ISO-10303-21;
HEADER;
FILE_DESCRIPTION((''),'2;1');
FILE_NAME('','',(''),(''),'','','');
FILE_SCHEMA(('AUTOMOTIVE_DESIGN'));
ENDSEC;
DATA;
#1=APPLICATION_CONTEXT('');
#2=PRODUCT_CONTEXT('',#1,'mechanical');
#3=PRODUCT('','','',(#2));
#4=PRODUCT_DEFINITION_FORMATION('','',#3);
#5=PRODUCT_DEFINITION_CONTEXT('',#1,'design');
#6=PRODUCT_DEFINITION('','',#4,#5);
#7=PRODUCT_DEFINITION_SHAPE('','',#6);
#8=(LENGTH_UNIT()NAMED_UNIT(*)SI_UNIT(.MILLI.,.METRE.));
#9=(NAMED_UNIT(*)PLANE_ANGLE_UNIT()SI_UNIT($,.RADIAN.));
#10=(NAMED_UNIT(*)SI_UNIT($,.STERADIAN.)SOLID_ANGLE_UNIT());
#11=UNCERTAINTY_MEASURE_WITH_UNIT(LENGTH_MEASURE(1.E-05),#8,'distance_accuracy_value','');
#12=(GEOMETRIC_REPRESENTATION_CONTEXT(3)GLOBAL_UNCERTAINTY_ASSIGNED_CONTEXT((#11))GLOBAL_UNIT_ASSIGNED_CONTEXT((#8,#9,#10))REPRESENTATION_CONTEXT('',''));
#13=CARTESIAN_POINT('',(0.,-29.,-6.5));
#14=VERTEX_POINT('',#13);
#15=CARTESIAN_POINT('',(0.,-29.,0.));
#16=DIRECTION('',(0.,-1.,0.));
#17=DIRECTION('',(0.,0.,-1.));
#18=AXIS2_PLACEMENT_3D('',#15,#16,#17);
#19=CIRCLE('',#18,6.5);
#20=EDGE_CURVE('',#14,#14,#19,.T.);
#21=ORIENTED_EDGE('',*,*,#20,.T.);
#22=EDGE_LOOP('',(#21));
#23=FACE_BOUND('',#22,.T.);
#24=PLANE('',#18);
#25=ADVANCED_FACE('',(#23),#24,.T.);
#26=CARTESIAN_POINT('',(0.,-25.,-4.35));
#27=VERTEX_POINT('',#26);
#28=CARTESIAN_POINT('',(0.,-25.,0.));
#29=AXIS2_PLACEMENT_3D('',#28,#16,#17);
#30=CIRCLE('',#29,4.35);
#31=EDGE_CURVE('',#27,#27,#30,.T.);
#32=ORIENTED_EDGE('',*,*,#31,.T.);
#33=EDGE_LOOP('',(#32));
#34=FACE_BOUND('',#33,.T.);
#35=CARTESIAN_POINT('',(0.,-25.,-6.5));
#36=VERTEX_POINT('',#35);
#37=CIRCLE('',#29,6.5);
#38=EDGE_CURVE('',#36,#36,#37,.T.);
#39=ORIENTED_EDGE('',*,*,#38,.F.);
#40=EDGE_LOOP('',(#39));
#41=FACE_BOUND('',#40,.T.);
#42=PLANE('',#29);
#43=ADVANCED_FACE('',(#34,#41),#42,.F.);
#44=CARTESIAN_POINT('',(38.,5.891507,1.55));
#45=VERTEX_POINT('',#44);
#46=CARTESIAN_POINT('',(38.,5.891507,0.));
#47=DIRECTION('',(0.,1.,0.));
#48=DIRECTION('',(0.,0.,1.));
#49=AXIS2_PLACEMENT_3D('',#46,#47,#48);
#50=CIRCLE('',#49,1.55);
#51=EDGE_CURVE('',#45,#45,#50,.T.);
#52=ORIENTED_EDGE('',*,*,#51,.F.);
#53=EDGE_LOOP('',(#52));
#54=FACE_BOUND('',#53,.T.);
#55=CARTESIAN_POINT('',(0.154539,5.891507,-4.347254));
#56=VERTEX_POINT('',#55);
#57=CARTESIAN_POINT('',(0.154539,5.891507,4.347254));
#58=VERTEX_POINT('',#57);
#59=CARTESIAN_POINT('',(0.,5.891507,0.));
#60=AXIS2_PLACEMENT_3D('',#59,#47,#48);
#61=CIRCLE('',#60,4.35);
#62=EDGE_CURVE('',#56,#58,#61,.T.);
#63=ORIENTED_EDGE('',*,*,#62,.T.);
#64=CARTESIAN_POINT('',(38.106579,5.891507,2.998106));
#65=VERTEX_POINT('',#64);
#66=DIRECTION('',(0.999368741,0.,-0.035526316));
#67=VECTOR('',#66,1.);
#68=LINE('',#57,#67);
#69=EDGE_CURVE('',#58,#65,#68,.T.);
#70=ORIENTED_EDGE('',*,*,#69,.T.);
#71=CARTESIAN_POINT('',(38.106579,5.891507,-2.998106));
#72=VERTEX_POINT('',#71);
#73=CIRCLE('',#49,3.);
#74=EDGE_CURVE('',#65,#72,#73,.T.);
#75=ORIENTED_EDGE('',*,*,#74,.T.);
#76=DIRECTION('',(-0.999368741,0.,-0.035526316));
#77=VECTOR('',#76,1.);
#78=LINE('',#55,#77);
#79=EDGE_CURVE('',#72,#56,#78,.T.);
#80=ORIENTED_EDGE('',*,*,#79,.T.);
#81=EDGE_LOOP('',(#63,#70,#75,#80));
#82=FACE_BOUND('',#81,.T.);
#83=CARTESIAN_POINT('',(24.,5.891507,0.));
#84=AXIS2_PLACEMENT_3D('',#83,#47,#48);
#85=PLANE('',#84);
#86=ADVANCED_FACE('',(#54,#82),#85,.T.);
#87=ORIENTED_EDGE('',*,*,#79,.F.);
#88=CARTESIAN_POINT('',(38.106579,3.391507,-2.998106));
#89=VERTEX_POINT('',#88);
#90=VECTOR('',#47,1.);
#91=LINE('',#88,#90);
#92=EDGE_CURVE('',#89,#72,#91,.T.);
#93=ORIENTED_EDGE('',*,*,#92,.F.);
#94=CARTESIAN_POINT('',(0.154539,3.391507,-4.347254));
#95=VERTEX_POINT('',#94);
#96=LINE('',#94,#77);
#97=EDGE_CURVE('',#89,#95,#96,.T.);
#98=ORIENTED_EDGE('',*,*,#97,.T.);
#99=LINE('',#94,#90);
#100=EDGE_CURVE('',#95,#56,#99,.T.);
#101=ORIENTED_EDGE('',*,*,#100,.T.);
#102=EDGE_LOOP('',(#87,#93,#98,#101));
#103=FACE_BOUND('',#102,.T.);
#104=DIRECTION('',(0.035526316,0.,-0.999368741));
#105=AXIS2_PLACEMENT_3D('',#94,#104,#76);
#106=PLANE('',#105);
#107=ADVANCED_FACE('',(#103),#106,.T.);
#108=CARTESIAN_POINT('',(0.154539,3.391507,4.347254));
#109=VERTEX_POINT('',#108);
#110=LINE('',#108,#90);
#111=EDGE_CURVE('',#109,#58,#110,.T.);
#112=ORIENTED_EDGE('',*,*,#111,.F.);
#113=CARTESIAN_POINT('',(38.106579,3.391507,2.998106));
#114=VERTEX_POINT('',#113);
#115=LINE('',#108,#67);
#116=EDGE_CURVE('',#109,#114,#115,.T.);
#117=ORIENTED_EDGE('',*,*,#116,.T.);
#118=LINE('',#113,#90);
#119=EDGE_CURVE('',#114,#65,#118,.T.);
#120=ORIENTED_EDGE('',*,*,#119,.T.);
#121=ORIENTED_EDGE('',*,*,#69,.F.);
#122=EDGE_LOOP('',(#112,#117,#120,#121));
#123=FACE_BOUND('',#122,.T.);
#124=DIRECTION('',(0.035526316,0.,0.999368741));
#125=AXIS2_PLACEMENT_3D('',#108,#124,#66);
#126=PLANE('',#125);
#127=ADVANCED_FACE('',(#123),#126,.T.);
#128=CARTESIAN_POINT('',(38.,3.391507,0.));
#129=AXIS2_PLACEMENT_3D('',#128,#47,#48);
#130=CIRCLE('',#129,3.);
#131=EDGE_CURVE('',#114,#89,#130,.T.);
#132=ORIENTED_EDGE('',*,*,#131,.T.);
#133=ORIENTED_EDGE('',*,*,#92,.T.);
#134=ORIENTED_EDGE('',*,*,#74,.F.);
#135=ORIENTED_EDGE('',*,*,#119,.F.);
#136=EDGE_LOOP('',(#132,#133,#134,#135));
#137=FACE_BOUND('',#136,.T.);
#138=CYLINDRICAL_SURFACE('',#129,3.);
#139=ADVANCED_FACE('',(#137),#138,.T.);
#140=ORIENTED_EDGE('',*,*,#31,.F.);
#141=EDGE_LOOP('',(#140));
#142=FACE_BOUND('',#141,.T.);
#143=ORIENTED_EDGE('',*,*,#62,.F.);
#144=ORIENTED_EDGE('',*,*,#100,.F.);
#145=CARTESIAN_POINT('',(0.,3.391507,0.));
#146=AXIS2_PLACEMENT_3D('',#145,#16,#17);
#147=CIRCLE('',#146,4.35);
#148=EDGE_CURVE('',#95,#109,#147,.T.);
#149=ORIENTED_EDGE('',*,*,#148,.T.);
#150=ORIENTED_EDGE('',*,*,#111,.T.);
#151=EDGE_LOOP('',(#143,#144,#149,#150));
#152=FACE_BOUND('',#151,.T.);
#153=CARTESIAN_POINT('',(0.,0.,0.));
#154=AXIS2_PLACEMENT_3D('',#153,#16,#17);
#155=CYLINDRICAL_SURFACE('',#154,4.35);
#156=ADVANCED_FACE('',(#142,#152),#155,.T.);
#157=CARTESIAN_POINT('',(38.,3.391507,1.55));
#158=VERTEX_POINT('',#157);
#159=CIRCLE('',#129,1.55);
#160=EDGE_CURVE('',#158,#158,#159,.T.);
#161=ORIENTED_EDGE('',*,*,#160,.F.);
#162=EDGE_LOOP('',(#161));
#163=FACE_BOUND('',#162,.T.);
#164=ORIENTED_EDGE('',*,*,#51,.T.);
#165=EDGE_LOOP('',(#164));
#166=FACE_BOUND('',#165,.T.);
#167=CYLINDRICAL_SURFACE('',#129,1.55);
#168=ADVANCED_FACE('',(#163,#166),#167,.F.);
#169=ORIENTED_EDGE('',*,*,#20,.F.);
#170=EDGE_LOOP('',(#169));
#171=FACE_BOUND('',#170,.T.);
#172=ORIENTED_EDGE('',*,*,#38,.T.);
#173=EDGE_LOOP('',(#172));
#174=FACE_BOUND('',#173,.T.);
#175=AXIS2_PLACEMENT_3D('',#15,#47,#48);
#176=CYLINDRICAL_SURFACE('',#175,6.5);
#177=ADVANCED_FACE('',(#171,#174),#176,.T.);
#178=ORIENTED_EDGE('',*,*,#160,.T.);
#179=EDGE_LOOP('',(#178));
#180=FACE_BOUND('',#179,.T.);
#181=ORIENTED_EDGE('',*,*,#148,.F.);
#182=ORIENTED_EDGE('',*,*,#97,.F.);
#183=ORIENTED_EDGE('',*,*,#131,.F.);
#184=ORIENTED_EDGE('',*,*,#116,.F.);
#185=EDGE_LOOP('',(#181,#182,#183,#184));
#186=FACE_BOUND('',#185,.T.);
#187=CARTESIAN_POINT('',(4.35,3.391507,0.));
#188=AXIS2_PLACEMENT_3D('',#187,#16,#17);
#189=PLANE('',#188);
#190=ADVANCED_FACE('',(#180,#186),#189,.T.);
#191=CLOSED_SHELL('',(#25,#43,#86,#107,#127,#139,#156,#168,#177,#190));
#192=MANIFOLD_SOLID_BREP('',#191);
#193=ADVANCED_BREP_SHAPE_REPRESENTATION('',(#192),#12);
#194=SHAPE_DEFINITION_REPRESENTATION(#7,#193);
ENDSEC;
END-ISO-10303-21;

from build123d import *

# Parameters (mm, degrees)
SKETCH_2_R          = 1.5
CUT_EXTRUDE_5_DEPTH = 10
SKETCH_3_R          = 2.5
EXTRUDE_1_DEPTH     = 20
SKETCH_4_R          = 1.85
EXTRUDE_2_DEPTH     = 5
SKETCH_3_2_R        = 2.5
EXTRUDE_3_DEPTH     = 5.891507394
SKETCH_5_R          = 4.35
EXTRUDE_4_DEPTH     = 25
SKETCH_6_R          = 6.5
EXTRUDE_5_DEPTH     = 4
SKETCH_7_OUTSIDE_W  = 65.264
SKETCH_7_OUTSIDE_H  = 65.264
CUT_EXTRUDE_6_DEPTH = 5
SKETCH_8_R          = 1.55
EXTRUDE_6_DEPTH     = 2.5


with BuildPart() as part:
    # 草图1 → 旋转1 (revolve)
    with BuildSketch(Plane.XY, mode=Mode.PRIVATE) as revolve_1_sk:
        Polygon((3.461552813, 5.891507394), (1.4, 5.891507394), (1.4, 3.5), (2.5, 3.5), (2.5, 0), (4.35, 0), (4.35, 3.391507394), (24, 3.391507394), (24, 5.891507394), align=None)
    revolve(revolve_1_sk.sketch.rotate(Axis((0, 0, 0), (0, 1, 0)), 90), axis=Axis((0, 0, 0), (0, 1, 0)))

    # 草图2 → 切除-拉伸5 (cut)
    with BuildSketch(Plane(origin=(0, 5.891507394, 0), x_dir=(1, 0, 0), z_dir=(0, 1, 0))):
        with Locations(Location((-16, 0, 0), (0, 0, 270))):
            Circle(SKETCH_2_R)
        with Locations(Location((0, -16, 0), (0, 0, 270))):
            Circle(SKETCH_2_R)
        with Locations(Location((16, 0, 0), (0, 0, 270))):
            Circle(SKETCH_2_R)
        with Locations(Location((0, 16, 0), (0, 0, 270))):
            Circle(SKETCH_2_R)
    extrude(amount=-CUT_EXTRUDE_5_DEPTH, mode=Mode.SUBTRACT)



with BuildPart() as body_2:
    # 草图3 → 凸台-拉伸1 (new body)
    with BuildSketch(Plane.XZ):
        with Locations(Location((0, 0, 0), (0, 0, 270))):
            Circle(SKETCH_3_R)
    extrude(amount=EXTRUDE_1_DEPTH)

    # 草图4 → 凸台-拉伸2 (add)
    with BuildSketch(Plane.XZ.offset(20)):
        with Locations(Location((0, 0, 0), (0, 0, 270))):
            Circle(SKETCH_4_R)
    extrude(amount=EXTRUDE_2_DEPTH)


with BuildPart() as part_1:
    add(part.part)

    add(body_2.part)  # 凸台-拉伸3 merges body 2
    # 草图3<2> → 凸台-拉伸3 (add)
    with BuildSketch(Plane.XZ):
        with Locations(Location((0, 0, 0), (0, 0, 270))):
            Circle(SKETCH_3_2_R)
    extrude(amount=-EXTRUDE_3_DEPTH)

    # 草图5 → 凸台-拉伸4 (add, through all)
    with BuildSketch(Plane.XZ):
        with Locations(Location((0, 0, 0), (0, 0, 270))):
            Circle(SKETCH_5_R)
    extrude(amount=EXTRUDE_4_DEPTH)

    # 草图6 → 凸台-拉伸5 (add)
    with BuildSketch(Plane.XZ.offset(25)):
        with Locations(Location((0, 0, 0), (0, 0, 270))):
            Circle(SKETCH_6_R)
    extrude(amount=EXTRUDE_5_DEPTH)

    # 草图7 outside → 切除-拉伸6 (cut)
    with BuildSketch(Plane(origin=(0, 5.891507394, 0), x_dir=(1, 0, 0), z_dir=(0, 1, 0))):
        Rectangle(SKETCH_7_OUTSIDE_W, SKETCH_7_OUTSIDE_H)
        with BuildLine():
            Line((0.36703125, 4.334488212), (16.253125, 2.989302215))
            ThreePointArc((16.253125, 2.989302215), (19, 0), (16.253125, -2.989302215))
            Line((16.253125, -2.989302215), (0.36703125, -4.334488212))
            ThreePointArc((0.36703125, -4.334488212), (-4.35, 0), (0.36703125, 4.334488212))
        make_face(mode=Mode.SUBTRACT)
    extrude(amount=-CUT_EXTRUDE_6_DEPTH, mode=Mode.SUBTRACT)

    # 草图8 → 凸台-拉伸6 (add)
    with BuildSketch(Plane(origin=(0, 5.891507394, 0), x_dir=(1, 0, 0), z_dir=(0, 1, 0))):
        with BuildLine():
            Line((0.154539474, 4.347254024), (38.106578947, 2.998106224))
            ThreePointArc((38.106578947, 2.998106224), (41, 0), (38.106578947, -2.998106224))
            Line((38.106578947, -2.998106224), (0.154539474, -4.347254024))
            ThreePointArc((0.154539474, -4.347254024), (-4.35, 0), (0.154539474, 4.347254024))
        make_face()
        with Locations(Location((38, 0, 0), (0, 0, 270))):
            Circle(SKETCH_8_R, mode=Mode.SUBTRACT)
    extrude(amount=-EXTRUDE_6_DEPTH)


solid = part_1.part
